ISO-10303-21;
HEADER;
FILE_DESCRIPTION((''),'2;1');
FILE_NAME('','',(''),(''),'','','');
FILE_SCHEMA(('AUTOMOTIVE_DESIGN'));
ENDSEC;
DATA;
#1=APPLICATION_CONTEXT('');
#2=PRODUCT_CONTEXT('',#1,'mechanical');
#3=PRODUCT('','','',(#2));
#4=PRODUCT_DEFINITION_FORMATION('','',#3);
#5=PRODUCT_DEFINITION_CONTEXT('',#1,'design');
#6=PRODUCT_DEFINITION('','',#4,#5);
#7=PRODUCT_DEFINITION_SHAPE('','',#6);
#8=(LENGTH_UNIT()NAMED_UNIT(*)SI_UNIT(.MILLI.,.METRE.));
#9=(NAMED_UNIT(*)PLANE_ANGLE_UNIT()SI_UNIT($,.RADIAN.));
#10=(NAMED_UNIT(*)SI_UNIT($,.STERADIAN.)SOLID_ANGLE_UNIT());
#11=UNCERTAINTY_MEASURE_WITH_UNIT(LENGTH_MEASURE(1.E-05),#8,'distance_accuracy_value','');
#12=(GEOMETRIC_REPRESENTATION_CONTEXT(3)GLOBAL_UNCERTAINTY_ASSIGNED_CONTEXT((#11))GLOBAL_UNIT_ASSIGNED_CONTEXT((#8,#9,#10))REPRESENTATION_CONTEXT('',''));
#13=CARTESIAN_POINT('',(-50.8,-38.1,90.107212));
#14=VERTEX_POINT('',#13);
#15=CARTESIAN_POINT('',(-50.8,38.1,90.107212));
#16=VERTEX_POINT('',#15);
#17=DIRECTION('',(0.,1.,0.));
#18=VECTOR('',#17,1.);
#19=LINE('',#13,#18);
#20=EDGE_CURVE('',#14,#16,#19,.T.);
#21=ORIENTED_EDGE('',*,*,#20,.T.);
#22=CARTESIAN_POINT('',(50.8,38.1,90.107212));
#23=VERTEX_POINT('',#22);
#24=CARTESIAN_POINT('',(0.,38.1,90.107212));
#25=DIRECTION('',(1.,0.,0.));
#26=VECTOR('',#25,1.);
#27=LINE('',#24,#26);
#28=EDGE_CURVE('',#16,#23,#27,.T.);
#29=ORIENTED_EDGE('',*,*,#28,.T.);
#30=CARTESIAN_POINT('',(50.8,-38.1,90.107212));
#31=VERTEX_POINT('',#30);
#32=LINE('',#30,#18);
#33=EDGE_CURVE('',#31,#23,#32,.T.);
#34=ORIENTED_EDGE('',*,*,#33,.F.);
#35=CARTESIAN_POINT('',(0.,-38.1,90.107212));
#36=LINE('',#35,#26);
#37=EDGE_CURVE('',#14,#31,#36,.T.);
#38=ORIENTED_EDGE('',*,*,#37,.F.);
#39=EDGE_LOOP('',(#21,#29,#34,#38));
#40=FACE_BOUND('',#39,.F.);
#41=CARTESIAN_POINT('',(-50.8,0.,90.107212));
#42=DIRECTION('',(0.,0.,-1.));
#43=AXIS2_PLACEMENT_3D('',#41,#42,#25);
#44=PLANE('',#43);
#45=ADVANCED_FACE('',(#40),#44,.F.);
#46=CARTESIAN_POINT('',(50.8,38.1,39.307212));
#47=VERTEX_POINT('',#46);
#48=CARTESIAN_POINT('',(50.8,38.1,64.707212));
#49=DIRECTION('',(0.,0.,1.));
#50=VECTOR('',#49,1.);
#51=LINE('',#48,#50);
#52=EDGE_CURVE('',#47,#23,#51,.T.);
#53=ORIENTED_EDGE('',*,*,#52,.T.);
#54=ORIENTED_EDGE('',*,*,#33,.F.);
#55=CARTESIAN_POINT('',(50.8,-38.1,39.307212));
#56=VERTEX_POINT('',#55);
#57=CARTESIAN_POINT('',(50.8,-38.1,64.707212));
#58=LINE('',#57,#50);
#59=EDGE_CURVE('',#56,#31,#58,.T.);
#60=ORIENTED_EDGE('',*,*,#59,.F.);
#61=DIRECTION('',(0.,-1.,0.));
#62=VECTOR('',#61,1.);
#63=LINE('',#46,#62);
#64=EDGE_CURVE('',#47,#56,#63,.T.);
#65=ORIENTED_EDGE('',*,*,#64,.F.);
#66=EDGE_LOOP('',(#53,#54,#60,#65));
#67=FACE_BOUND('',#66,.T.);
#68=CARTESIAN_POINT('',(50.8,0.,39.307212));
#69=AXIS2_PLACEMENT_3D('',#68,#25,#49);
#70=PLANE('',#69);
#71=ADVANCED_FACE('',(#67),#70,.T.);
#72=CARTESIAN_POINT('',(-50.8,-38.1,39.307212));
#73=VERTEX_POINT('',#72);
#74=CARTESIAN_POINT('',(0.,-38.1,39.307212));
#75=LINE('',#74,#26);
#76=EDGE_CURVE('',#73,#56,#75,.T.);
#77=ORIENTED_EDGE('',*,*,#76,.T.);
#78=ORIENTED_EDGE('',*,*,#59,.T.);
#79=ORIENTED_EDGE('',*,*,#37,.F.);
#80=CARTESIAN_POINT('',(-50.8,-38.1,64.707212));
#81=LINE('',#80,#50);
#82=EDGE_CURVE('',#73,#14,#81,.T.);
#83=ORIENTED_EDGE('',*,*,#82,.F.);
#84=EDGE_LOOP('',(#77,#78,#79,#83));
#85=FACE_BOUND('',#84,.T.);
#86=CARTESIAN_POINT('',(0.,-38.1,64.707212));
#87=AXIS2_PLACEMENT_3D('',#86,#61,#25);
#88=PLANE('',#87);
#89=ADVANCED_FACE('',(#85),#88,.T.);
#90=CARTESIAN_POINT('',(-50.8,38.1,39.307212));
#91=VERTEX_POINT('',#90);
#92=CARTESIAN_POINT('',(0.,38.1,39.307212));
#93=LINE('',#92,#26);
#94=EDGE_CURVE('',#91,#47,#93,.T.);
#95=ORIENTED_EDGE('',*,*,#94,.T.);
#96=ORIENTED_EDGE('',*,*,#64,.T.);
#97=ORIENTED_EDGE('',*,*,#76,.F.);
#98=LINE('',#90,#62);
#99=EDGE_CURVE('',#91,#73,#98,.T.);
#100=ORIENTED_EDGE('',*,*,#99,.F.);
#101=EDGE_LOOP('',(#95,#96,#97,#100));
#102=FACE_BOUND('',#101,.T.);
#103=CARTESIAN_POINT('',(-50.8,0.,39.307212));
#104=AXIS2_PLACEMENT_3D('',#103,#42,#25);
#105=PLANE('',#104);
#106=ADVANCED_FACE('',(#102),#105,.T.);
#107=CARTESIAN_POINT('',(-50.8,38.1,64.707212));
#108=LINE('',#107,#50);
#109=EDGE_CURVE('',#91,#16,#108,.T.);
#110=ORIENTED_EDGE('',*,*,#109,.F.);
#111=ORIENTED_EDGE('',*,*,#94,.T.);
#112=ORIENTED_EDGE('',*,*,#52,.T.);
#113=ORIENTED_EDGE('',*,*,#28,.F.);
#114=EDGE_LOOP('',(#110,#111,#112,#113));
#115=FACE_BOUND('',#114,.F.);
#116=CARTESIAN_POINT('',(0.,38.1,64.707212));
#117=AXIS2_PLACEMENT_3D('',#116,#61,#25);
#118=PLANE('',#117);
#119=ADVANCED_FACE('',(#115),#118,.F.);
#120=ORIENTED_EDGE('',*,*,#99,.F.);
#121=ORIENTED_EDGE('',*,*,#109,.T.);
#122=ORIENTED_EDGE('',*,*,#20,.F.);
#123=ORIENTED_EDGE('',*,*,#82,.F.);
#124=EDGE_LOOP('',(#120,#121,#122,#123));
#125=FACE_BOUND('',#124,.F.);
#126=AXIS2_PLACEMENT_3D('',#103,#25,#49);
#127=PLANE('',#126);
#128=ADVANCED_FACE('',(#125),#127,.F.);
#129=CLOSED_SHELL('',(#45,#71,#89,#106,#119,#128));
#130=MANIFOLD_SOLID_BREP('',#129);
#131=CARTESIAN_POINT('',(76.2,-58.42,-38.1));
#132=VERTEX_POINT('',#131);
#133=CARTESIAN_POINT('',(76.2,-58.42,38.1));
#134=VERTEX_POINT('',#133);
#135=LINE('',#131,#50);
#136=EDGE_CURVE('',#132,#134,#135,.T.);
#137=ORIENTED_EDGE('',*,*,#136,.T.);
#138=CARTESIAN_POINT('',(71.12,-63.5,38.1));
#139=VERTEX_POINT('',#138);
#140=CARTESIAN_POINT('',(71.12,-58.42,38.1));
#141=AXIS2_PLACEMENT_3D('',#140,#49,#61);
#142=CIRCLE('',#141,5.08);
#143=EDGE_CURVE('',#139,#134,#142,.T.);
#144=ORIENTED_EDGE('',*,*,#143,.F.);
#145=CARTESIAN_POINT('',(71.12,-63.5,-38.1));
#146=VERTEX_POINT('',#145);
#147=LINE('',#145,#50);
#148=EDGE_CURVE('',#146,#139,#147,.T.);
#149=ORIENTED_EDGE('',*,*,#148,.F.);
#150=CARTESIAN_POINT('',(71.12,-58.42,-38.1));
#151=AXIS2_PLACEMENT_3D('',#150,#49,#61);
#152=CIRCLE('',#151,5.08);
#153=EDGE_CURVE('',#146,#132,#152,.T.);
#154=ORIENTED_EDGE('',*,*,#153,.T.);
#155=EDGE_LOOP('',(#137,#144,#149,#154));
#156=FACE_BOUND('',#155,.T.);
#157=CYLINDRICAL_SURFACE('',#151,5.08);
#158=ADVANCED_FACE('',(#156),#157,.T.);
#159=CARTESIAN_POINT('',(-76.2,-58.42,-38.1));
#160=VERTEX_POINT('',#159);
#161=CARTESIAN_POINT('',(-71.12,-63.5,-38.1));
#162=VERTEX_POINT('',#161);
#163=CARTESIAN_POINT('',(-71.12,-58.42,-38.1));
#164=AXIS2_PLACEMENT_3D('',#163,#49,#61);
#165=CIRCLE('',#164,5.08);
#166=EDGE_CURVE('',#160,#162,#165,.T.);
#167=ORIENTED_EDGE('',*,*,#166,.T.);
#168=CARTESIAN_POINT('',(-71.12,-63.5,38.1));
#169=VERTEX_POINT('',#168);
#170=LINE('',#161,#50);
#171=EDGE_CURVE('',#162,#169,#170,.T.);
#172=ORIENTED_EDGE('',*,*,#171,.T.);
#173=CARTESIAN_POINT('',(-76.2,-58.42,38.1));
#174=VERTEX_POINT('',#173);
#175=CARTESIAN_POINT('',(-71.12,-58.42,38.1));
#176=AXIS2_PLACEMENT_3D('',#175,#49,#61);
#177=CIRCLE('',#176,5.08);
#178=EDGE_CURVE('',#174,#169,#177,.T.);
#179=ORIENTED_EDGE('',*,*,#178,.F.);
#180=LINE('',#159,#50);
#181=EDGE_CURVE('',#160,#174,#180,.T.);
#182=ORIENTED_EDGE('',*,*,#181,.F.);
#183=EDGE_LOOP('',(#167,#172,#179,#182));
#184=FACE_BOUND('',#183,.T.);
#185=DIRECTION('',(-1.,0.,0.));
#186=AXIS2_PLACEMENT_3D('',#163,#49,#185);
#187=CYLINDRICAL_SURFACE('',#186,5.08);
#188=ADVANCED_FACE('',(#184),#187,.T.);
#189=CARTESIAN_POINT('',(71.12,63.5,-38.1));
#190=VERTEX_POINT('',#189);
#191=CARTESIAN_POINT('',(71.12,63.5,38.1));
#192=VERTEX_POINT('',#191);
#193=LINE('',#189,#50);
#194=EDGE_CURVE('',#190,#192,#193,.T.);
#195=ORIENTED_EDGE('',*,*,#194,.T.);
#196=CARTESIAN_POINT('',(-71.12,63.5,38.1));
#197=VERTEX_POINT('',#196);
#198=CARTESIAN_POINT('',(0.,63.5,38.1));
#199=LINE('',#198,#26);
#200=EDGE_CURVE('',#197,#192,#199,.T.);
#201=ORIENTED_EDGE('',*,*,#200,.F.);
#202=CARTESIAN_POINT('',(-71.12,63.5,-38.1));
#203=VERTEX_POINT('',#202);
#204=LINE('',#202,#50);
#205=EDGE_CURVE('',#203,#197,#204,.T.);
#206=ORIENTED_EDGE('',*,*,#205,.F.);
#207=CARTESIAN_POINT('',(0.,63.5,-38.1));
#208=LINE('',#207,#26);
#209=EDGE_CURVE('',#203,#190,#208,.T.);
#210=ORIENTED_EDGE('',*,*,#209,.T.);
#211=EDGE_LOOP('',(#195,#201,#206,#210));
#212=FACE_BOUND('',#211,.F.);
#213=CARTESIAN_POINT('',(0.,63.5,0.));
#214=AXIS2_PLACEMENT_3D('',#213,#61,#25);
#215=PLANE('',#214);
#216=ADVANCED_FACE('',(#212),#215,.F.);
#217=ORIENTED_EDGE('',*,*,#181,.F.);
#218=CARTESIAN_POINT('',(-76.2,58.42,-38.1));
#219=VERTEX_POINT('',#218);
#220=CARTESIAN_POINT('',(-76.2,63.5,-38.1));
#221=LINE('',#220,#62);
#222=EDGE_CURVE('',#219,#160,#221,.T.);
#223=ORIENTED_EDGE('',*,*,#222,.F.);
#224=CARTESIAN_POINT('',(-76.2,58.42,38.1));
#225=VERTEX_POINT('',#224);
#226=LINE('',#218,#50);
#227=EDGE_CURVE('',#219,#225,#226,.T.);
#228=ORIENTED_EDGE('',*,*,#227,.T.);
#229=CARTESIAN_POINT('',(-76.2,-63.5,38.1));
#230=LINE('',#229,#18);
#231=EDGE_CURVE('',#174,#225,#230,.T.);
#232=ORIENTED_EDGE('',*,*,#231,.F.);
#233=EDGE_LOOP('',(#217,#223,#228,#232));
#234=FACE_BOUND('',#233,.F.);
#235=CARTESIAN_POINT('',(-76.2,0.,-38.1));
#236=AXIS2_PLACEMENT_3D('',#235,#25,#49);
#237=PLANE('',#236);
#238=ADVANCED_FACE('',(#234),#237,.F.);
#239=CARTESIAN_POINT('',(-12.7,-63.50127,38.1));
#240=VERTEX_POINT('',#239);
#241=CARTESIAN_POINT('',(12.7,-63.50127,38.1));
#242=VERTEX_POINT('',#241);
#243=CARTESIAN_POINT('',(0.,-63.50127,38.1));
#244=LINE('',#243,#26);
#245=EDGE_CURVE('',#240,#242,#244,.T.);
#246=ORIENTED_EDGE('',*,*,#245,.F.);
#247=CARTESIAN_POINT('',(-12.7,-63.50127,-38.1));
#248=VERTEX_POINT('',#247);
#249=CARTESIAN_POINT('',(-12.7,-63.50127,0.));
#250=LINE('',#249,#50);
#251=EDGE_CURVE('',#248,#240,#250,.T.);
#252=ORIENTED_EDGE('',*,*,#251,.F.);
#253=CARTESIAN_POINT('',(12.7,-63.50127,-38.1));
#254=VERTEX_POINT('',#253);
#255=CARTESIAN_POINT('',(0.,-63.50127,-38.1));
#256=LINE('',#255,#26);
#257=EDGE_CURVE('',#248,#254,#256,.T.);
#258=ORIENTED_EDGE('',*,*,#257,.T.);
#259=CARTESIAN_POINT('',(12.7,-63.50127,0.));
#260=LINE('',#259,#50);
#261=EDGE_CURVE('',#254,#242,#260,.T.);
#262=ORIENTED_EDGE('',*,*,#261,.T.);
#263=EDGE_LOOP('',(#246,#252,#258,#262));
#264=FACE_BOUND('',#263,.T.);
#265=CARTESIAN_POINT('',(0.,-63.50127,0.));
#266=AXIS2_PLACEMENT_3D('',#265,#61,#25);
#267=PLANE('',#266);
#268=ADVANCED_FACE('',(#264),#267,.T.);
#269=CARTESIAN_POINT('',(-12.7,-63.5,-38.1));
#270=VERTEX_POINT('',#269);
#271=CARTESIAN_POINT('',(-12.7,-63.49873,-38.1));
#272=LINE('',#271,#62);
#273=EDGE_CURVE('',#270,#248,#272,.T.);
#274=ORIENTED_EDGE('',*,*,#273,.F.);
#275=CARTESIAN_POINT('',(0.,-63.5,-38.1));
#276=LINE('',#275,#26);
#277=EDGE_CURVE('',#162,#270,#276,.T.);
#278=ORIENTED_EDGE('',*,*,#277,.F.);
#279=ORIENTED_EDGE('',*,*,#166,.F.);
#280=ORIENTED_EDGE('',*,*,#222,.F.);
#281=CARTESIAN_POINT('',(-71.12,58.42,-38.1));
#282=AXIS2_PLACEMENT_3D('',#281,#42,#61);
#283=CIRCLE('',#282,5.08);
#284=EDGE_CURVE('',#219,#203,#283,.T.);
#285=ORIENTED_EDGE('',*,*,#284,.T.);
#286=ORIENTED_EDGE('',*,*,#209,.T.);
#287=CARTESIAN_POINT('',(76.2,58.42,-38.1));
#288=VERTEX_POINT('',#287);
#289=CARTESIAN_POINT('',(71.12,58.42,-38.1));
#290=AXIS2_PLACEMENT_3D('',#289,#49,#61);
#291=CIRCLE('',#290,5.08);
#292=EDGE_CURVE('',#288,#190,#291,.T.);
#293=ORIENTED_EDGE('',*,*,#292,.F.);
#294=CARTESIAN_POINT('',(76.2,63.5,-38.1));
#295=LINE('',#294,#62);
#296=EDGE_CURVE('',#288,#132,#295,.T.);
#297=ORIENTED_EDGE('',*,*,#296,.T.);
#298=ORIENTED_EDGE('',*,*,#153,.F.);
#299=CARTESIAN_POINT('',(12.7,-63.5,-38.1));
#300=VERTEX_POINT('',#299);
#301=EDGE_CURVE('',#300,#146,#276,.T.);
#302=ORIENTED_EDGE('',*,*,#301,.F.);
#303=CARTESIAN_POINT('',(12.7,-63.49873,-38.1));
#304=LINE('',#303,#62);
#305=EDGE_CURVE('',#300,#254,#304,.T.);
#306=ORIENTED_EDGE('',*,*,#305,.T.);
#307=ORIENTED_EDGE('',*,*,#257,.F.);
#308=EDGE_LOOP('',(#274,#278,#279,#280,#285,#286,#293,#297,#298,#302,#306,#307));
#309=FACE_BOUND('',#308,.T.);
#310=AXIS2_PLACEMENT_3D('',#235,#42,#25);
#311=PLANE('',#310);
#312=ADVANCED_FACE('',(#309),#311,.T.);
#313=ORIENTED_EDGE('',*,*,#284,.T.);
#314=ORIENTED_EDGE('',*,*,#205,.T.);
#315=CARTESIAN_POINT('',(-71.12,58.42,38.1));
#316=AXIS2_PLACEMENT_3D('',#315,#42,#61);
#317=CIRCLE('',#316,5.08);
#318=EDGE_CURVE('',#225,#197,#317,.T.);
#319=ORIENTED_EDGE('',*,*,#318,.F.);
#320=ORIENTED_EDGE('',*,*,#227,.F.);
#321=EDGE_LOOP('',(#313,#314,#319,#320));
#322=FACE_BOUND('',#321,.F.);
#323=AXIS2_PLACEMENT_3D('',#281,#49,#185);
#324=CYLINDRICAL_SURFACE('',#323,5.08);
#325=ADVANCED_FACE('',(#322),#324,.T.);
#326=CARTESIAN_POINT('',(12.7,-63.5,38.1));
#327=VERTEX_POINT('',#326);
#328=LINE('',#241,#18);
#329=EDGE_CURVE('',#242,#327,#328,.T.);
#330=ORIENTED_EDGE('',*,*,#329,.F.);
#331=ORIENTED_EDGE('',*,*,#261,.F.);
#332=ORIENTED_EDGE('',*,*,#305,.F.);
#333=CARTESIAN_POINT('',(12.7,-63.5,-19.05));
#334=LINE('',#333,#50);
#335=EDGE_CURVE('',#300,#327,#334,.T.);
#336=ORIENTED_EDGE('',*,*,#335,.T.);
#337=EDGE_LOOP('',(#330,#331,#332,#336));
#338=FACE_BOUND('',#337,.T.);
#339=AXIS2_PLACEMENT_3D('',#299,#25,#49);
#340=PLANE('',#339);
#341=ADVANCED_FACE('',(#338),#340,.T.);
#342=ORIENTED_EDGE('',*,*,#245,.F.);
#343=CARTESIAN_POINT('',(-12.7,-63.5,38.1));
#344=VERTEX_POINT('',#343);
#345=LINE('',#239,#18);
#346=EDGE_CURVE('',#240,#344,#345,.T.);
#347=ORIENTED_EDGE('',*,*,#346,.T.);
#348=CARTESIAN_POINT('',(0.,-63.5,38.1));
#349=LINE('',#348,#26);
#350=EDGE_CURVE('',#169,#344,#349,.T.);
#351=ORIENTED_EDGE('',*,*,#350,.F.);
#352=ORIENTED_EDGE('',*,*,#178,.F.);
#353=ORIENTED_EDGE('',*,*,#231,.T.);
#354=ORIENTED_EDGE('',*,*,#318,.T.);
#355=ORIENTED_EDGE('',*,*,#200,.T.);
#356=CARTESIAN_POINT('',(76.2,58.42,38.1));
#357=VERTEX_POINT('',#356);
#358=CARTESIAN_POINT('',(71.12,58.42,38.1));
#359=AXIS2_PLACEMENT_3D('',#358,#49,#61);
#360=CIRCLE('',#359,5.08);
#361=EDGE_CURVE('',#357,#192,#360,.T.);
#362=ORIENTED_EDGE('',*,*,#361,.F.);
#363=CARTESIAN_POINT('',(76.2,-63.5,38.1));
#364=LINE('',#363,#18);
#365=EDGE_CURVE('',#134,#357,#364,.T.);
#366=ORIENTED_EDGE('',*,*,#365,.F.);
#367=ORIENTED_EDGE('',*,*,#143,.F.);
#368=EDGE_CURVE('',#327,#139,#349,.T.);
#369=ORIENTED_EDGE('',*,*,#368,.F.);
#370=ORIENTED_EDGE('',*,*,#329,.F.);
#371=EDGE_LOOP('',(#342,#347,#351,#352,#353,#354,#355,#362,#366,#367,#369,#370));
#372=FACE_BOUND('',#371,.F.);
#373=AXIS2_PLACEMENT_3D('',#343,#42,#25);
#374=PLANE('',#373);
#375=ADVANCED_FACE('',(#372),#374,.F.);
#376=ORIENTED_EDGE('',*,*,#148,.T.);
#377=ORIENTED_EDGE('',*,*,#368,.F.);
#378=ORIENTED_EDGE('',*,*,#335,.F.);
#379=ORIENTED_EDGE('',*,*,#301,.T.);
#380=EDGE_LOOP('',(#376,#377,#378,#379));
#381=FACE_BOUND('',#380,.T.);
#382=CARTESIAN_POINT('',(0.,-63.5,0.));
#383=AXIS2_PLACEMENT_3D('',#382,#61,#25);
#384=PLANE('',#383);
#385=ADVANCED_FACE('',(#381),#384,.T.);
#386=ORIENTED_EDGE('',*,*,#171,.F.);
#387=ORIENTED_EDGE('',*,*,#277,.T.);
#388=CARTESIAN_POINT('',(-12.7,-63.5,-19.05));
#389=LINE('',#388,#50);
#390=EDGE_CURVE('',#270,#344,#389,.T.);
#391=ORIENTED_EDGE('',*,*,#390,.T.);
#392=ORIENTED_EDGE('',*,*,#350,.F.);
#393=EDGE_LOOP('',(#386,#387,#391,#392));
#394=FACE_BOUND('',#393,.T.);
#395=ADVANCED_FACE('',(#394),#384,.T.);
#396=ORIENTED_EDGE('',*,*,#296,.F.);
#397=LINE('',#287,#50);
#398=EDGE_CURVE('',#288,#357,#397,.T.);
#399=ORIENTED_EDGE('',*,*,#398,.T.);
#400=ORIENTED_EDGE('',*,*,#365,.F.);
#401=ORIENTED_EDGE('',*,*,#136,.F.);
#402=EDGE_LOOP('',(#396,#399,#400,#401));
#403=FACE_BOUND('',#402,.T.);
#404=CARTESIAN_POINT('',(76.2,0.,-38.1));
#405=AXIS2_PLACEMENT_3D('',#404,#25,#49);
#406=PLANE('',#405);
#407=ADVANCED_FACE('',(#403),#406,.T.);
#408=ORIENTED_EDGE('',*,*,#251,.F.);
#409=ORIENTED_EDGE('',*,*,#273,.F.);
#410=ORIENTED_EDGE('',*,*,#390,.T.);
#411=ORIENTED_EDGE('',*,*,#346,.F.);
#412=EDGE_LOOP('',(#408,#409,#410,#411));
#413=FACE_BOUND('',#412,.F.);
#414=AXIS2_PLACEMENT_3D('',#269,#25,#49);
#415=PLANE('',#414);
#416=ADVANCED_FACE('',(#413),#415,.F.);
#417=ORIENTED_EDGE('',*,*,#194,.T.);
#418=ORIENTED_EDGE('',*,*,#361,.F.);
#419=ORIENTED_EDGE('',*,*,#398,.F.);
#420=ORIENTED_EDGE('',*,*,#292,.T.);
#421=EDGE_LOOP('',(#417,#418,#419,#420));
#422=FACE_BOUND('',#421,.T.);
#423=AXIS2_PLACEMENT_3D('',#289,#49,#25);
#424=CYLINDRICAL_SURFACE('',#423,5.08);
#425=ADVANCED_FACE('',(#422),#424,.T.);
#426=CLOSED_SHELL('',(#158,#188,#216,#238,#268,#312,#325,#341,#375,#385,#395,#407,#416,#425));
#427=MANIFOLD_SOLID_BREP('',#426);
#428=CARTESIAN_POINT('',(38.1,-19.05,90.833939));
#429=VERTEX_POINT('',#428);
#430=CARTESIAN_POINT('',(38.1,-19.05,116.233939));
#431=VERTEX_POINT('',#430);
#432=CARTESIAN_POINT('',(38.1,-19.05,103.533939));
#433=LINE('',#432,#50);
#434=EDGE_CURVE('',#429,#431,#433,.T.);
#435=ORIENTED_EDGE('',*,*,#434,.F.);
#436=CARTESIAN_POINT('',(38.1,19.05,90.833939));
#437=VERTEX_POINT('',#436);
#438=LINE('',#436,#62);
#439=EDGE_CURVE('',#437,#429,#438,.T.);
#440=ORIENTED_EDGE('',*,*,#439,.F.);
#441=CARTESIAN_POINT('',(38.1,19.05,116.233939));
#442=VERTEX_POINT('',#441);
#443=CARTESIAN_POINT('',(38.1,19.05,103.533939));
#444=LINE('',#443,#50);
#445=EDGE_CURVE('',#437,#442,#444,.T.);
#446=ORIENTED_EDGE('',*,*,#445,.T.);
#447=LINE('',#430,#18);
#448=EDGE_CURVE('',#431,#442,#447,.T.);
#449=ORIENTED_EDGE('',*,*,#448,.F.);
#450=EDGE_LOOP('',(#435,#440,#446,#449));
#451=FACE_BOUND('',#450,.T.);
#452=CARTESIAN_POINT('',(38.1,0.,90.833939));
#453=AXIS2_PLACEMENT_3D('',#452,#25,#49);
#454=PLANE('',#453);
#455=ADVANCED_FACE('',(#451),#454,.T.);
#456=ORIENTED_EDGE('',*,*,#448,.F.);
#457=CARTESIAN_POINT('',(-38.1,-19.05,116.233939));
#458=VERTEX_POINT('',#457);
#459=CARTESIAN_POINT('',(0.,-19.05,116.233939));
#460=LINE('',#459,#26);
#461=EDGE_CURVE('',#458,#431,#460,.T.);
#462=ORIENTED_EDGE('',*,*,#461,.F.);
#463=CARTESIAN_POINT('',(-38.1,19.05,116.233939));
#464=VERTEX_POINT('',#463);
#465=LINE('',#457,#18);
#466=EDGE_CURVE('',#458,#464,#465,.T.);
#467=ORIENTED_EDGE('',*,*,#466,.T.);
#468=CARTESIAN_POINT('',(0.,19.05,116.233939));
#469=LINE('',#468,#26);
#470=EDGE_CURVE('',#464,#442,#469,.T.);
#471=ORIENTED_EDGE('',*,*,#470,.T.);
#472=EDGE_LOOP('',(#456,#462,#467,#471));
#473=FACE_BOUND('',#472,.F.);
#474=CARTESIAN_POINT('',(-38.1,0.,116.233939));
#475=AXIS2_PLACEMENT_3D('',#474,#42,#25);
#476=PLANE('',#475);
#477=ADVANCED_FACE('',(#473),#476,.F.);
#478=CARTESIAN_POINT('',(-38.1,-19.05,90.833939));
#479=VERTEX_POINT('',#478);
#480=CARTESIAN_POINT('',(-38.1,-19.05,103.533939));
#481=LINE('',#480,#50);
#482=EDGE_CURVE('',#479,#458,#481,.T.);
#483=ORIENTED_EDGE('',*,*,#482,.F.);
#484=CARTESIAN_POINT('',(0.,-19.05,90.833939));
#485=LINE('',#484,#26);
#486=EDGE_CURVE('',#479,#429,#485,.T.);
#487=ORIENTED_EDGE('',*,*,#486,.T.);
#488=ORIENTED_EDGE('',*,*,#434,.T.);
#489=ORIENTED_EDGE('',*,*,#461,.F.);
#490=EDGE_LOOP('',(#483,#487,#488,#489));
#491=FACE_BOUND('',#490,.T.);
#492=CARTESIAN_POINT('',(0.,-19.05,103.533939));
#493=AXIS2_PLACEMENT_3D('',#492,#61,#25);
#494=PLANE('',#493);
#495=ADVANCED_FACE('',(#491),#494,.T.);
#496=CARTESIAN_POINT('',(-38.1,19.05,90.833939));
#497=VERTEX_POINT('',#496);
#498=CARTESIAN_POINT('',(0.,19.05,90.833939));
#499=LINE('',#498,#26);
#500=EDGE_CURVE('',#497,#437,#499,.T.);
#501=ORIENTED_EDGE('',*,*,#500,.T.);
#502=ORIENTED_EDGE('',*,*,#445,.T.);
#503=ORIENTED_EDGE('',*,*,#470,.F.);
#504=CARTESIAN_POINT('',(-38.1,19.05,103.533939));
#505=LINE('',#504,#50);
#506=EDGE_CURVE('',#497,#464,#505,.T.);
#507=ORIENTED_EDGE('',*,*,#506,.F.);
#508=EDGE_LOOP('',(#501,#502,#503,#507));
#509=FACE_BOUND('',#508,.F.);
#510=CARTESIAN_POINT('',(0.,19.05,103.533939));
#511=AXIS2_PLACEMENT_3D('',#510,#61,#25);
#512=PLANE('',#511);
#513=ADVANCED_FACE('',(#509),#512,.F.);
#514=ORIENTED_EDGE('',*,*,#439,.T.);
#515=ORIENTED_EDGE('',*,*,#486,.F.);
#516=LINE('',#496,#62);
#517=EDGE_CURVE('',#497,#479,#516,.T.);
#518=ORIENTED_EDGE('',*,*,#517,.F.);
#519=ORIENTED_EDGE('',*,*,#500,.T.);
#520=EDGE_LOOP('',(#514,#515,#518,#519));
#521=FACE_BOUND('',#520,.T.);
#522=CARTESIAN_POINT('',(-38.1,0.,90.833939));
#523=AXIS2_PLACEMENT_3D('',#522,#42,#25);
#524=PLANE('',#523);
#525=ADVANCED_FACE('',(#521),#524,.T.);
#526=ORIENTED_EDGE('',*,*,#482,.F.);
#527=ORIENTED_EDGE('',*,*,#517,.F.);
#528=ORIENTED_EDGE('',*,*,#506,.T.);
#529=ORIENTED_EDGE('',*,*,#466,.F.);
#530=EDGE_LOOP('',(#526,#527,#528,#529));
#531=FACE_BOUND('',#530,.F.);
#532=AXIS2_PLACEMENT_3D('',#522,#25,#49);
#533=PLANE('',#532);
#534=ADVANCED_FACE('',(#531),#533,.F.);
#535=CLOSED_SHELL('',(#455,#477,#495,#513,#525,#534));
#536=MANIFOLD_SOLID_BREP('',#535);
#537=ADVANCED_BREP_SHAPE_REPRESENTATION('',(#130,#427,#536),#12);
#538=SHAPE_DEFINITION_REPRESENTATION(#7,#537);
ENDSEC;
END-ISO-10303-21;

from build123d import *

# Parameters (mm, degrees)
F0_W     = 152.4
F0_H     = 76.2
F1_DEPTH = 63.5
F2_W     = 101.6
F2_H     = 50.8
F3_DEPTH = 38.1
F4_W     = 76.2
F4_H     = 25.4
F5_DEPTH = 19.05
F6_R     = 5.08
F7_W     = 25.4
F7_H     = 76.2
F8_DEPTH = 0.00127


with BuildPart() as f1:
    # F0 (on Front) → F1 (new body, symmetric)
    with BuildSketch(Plane.XZ):
        Rectangle(F0_W, F0_H)
    extrude(amount=F1_DEPTH, both=True)

    # F6
    f6_edges = [f1.edges().sort_by_distance(p)[0] for p in [
        (-76.2, -63.5, 0),
        (76.2, -63.5, 0),
        (76.2, 63.5, 0),
        (-76.2, 63.5, 0),
    ]]
    fillet(f6_edges, radius=F6_R)

    # F7 (on face) → F8 (join, symmetric)
    with BuildSketch(Plane.XZ.offset(63.5)):
        Rectangle(F7_W, F7_H)
    extrude(amount=F8_DEPTH, both=True)


with BuildPart() as f3:
    # F2 (on Front) → F3 (new body, symmetric)
    with BuildSketch(Plane.XZ):
        with Locations((0, 64.707212)):
            Rectangle(F2_W, F2_H)
    extrude(amount=F3_DEPTH, both=True)


with BuildPart() as f5:
    # F4 (on Front) → F5 (new body, symmetric)
    with BuildSketch(Plane.XZ):
        with Locations((0, 103.533939)):
            Rectangle(F4_W, F4_H)
    extrude(amount=F5_DEPTH, both=True)


solid = Compound([f1.part, f3.part, f5.part])
